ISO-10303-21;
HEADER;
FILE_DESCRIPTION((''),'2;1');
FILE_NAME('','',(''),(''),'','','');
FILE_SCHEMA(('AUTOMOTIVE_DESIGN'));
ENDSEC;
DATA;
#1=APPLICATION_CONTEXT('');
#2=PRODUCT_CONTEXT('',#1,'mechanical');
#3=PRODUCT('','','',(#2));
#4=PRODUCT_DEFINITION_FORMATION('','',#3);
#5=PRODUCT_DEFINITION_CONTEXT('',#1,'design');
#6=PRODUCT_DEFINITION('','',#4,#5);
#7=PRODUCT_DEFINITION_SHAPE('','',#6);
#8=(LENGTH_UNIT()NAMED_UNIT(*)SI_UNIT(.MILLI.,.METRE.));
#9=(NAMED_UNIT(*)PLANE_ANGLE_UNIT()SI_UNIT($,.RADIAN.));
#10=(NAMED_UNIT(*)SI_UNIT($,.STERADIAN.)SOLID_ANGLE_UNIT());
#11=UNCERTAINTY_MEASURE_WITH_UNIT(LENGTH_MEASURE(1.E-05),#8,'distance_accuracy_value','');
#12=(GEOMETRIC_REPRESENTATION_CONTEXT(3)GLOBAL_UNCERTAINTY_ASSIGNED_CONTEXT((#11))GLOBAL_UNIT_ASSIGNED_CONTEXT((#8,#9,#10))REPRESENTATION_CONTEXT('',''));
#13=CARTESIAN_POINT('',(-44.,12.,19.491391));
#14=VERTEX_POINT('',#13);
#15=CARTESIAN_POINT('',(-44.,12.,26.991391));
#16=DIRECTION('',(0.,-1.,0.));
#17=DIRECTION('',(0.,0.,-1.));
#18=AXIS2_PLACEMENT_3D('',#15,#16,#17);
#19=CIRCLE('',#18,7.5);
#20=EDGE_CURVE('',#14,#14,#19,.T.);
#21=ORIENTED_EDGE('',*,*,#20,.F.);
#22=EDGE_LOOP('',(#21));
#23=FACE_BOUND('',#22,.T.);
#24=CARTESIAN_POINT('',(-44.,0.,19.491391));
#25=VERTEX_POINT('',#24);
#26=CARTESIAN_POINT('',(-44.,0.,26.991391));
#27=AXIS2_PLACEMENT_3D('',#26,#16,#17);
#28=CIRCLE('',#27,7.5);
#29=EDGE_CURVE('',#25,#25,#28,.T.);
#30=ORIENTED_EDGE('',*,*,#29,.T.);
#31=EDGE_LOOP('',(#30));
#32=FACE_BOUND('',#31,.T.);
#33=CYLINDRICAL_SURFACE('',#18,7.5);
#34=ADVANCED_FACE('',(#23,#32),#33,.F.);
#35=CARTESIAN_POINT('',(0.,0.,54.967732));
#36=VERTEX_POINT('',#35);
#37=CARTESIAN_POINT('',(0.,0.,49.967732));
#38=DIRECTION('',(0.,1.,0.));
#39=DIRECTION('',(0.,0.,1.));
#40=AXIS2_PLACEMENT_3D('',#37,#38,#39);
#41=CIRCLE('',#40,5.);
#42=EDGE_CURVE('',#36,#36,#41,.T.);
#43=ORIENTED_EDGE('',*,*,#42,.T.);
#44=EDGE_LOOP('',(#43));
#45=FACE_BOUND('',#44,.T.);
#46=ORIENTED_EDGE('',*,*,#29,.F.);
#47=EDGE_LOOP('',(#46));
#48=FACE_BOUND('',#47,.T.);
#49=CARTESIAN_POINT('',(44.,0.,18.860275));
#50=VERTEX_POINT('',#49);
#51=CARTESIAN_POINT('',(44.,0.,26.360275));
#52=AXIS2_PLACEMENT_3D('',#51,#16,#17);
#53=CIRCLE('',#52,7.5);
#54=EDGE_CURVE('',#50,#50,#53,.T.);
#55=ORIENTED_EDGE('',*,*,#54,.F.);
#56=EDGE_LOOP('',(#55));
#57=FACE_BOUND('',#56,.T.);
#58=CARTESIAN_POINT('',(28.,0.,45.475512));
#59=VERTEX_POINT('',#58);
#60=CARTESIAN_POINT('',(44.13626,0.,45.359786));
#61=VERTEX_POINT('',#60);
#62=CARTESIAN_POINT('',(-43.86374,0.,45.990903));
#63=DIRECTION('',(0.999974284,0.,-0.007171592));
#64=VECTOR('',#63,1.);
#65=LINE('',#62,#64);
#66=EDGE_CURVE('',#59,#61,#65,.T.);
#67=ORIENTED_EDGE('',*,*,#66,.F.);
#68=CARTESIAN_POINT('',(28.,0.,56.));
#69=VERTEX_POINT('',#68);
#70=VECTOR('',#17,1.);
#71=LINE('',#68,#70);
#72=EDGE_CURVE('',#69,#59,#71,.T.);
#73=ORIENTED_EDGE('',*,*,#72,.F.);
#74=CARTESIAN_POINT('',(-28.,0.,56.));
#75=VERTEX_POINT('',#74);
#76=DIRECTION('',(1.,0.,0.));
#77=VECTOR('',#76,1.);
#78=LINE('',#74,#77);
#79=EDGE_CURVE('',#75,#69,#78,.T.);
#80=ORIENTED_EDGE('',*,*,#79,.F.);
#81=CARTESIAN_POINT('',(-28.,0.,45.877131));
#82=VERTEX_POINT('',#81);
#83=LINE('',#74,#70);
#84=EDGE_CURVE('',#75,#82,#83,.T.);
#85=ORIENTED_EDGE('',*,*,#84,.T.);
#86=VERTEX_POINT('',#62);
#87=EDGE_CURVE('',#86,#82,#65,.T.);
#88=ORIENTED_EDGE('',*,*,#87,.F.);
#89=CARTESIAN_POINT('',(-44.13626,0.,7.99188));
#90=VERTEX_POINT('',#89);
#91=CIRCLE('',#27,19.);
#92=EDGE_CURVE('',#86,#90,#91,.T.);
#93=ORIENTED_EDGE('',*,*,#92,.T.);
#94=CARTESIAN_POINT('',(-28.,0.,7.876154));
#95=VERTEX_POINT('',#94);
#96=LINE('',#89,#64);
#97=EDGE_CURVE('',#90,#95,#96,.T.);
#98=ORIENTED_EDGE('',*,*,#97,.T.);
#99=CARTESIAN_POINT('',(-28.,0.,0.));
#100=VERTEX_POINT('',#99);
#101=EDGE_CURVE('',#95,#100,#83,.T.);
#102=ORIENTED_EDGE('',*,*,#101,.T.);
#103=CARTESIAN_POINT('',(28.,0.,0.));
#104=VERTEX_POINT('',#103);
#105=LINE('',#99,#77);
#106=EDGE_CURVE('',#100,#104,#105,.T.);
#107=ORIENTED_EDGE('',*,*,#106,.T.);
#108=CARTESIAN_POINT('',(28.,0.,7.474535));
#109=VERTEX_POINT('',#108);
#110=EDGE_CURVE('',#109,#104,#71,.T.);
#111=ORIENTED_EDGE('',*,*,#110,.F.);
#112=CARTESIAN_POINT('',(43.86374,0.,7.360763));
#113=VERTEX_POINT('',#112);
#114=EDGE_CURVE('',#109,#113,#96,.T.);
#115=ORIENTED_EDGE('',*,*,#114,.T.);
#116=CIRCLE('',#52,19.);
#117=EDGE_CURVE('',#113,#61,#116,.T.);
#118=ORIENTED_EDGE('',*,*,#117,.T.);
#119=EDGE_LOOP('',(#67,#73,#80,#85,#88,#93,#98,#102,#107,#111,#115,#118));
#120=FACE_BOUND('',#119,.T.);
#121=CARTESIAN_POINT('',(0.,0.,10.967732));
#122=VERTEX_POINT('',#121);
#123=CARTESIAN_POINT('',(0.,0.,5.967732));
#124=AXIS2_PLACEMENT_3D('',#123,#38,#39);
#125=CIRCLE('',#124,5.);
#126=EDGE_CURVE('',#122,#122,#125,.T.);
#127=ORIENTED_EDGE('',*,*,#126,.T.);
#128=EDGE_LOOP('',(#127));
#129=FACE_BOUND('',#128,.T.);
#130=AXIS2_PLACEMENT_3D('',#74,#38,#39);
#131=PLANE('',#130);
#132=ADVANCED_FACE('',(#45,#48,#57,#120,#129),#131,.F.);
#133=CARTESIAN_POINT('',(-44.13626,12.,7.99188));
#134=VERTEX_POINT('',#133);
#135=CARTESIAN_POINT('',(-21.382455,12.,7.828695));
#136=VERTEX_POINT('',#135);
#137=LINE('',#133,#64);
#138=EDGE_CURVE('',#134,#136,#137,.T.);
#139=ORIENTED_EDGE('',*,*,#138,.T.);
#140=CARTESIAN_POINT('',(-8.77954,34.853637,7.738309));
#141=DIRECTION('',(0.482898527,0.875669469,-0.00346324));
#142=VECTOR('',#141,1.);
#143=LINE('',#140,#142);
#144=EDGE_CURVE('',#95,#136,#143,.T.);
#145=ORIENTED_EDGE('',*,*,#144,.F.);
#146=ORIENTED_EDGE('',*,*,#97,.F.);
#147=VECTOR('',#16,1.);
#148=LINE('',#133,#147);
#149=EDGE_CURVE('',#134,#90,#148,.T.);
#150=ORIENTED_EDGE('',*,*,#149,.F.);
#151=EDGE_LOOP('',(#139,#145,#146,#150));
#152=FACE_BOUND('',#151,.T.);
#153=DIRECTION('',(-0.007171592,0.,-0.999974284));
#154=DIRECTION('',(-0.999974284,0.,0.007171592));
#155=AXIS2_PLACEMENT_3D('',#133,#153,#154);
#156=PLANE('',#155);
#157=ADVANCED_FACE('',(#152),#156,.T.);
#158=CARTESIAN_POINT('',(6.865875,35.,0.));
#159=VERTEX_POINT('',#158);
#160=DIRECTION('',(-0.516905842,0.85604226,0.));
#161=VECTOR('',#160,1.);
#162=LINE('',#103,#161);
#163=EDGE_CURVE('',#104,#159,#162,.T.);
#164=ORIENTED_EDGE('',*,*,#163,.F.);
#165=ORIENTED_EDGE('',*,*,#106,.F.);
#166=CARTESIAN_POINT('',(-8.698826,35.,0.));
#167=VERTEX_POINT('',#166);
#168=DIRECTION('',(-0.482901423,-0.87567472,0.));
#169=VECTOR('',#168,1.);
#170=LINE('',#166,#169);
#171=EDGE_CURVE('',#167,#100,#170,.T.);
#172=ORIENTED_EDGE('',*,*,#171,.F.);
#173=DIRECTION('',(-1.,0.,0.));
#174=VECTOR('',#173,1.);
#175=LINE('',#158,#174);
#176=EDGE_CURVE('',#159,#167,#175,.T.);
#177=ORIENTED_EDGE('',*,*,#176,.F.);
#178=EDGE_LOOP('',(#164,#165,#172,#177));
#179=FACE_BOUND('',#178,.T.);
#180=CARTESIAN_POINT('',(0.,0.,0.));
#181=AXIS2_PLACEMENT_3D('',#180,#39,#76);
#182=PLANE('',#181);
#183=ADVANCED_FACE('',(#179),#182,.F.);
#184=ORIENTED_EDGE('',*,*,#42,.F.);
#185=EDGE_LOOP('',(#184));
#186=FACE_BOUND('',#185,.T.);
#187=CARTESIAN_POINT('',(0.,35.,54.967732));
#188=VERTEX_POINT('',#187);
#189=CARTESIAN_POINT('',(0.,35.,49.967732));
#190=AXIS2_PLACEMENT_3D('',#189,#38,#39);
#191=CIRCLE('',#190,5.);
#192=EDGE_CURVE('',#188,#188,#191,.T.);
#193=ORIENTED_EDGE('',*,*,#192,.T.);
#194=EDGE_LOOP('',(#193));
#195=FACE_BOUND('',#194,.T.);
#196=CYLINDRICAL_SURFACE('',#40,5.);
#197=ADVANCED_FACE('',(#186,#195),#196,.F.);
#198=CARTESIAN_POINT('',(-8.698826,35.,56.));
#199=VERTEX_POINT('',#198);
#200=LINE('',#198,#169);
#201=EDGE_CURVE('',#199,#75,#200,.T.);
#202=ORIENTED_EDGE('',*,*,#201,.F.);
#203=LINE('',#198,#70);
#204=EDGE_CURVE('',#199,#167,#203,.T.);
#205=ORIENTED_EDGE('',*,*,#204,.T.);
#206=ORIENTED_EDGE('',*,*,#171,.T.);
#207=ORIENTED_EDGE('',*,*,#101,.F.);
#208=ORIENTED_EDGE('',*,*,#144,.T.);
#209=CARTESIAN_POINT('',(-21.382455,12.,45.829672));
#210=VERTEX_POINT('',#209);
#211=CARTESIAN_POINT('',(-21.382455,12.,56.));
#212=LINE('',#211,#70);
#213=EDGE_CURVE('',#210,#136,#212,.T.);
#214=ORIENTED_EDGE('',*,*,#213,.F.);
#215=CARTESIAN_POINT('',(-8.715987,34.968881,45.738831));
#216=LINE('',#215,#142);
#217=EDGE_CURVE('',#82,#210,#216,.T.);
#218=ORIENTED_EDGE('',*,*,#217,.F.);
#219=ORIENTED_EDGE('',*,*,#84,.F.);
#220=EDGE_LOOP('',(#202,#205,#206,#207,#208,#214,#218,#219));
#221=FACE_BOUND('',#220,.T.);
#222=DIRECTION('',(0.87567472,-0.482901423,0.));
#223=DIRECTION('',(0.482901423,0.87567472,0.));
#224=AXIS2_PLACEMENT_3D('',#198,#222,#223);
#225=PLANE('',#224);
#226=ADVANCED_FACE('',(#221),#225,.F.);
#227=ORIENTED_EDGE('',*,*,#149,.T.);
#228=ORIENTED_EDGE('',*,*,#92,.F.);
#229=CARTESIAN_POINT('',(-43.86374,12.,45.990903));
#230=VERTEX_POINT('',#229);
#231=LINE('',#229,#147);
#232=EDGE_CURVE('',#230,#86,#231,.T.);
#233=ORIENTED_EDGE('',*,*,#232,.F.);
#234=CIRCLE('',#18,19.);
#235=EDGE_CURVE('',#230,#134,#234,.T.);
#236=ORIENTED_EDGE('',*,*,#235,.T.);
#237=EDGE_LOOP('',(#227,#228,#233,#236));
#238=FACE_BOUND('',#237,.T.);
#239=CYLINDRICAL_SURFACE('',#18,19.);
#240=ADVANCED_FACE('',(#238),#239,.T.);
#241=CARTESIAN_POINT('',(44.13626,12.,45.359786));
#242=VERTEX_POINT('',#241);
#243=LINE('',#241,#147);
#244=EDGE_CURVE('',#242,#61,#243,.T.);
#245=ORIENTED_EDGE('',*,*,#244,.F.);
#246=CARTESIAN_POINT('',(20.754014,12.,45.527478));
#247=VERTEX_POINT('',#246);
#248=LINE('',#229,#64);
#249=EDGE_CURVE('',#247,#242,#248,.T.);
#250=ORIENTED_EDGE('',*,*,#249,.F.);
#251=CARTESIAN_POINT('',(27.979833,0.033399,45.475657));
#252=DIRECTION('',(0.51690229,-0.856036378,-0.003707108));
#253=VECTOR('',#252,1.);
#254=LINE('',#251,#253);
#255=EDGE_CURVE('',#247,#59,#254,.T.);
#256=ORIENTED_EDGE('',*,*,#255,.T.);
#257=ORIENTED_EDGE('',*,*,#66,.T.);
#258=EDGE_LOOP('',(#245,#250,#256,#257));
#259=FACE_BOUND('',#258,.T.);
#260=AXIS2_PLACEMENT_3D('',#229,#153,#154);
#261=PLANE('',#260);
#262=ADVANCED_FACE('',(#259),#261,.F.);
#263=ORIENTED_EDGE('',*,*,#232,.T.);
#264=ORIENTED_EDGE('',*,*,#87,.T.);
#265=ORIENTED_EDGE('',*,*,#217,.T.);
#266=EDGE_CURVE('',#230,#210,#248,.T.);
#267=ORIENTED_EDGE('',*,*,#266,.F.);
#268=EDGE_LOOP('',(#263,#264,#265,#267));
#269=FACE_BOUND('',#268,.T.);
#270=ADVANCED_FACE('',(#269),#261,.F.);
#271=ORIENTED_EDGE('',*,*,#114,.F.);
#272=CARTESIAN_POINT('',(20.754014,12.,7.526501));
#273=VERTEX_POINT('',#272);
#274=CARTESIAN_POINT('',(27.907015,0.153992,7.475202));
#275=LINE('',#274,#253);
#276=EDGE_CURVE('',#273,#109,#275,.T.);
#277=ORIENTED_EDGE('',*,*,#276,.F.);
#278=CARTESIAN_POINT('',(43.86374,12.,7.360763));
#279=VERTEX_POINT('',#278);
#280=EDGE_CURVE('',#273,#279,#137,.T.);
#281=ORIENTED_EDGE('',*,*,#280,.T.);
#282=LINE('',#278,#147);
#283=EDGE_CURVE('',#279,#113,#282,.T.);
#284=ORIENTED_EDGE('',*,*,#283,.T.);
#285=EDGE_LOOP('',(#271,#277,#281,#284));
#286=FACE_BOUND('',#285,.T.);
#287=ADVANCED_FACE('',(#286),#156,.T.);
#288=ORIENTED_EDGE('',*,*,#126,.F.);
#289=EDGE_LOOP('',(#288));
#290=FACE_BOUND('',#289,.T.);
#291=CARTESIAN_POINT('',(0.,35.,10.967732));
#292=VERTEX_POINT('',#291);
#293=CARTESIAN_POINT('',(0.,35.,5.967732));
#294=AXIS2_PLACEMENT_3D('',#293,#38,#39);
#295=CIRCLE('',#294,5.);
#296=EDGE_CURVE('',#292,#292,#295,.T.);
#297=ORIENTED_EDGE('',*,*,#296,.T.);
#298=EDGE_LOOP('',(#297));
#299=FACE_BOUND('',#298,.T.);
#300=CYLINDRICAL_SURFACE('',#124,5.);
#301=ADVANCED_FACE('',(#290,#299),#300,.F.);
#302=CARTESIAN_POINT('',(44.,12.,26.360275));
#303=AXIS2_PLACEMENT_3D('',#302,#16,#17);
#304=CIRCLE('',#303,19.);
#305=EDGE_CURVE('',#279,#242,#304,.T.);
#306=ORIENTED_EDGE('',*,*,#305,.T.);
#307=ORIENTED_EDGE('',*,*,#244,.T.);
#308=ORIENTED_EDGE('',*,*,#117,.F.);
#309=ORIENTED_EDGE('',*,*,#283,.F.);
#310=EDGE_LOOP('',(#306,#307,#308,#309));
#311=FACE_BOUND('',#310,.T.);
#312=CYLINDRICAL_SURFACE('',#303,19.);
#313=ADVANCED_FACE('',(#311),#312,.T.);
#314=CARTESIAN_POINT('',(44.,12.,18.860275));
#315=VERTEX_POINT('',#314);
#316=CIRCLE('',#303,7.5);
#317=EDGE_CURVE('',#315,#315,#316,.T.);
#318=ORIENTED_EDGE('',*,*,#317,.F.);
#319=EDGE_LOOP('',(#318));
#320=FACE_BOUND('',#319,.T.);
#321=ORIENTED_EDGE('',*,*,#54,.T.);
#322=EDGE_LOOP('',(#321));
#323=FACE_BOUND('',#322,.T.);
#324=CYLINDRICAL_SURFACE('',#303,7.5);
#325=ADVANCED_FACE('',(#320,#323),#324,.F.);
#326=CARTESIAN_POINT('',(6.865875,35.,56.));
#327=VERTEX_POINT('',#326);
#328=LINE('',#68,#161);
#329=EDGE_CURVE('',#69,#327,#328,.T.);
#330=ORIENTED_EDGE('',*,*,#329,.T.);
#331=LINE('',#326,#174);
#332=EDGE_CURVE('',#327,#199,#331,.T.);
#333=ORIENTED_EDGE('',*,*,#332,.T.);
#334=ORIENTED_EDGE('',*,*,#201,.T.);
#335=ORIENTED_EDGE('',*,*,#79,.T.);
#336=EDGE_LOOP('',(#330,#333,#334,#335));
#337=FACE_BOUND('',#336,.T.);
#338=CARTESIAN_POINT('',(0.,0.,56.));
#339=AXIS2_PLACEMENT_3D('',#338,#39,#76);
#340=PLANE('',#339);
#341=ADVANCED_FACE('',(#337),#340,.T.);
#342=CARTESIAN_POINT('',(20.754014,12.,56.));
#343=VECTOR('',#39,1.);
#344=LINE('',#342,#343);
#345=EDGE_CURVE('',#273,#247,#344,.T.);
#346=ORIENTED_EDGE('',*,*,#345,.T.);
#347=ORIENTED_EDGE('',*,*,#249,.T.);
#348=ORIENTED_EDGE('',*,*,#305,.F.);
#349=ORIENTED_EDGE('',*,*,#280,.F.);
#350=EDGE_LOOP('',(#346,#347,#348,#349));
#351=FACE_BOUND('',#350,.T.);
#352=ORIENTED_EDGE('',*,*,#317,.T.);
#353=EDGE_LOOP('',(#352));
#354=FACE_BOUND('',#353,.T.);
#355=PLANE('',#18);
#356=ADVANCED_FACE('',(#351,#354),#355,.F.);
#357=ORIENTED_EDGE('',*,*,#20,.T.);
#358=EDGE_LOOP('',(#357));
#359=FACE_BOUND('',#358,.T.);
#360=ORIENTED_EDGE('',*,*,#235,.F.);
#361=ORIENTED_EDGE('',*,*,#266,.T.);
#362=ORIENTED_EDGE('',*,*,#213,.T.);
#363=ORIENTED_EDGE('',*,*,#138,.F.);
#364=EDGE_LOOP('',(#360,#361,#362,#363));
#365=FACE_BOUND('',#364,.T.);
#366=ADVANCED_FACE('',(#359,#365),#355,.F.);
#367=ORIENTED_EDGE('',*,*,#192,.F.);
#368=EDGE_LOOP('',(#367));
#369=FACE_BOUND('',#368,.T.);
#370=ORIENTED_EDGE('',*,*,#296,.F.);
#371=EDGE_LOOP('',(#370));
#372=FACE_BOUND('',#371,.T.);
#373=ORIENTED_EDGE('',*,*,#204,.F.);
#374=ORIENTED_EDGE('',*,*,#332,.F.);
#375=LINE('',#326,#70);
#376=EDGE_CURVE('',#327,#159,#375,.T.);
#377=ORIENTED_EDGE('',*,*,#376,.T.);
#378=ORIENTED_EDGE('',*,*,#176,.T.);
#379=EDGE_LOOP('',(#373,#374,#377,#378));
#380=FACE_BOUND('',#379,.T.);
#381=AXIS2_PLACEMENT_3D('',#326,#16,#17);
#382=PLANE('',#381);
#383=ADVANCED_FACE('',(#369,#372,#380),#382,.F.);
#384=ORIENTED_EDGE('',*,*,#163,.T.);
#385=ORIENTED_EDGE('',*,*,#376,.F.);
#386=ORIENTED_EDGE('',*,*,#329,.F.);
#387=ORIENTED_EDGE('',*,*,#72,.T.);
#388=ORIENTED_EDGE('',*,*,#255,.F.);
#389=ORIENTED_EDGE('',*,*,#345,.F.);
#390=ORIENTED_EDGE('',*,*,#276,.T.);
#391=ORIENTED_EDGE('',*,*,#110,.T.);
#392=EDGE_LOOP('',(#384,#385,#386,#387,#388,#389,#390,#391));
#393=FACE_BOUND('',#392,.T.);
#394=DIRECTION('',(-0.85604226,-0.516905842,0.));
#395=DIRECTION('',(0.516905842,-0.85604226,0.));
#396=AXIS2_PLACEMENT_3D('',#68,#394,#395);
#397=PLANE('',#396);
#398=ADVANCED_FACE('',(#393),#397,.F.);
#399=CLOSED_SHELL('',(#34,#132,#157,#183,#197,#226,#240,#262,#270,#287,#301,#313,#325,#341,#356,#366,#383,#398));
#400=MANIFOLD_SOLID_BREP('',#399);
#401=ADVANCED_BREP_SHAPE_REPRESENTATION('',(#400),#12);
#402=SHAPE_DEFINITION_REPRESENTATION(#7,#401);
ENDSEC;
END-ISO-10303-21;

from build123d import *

# Parameters (mm, degrees)
EXTRUDE_1_DEPTH     = 56
SKETCH_3_R          = 7.5
EXTRUDE_3_DEPTH     = 12
SKETCH_4_R          = 5
CUT_EXTRUDE_1_DEPTH = 92.268833673


with BuildPart() as part:
    # 스케치1 → 보스-돌출1 (new body)
    with BuildSketch(Plane.XY):
        Polygon((-28, 0), (28, 0), (6.865874615, 35), (-8.698826384, 35), align=None)
    extrude(amount=EXTRUDE_1_DEPTH)

    # 스케치3 → 보스-돌출3 (add)
    with BuildSketch(Plane.XZ):
        with BuildLine():
            Line((-43.863739751, 45.99090258), (44.136260249, 45.35978625))
            ThreePointArc((44.136260249, 45.35978625), (62.999511392, 26.224014609), (43.863739751, 7.360763465))
            Line((43.863739751, 7.360763465), (-44.136260249, 7.991879796))
            ThreePointArc((-44.136260249, 7.991879796), (-62.999511392, 27.127651437), (-43.863739751, 45.99090258))
        make_face()
        with Locations(Location((-44, 26.991391188, 0), (0, 0, 270))):
            Circle(SKETCH_3_R, mode=Mode.SUBTRACT)
        with Locations(Location((44, 26.360274858, 0), (0, 0, 270))):
            Circle(SKETCH_3_R, mode=Mode.SUBTRACT)
    extrude(amount=-EXTRUDE_3_DEPTH)

    # 스케치4 → 컷-돌출1 (cut, through all)
    with BuildSketch(Plane(origin=(0, 35, 0), x_dir=(1, 0, 0), z_dir=(0, 1, 0))):
        with Locations(Location((0, -5.967731641, 0), (0, 0, 270))):
            Circle(SKETCH_4_R)
        with Locations(Location((0, -49.967731641, 0), (0, 0, 270))):
            Circle(SKETCH_4_R)
    extrude(amount=-CUT_EXTRUDE_1_DEPTH, mode=Mode.SUBTRACT)


solid = part.part
